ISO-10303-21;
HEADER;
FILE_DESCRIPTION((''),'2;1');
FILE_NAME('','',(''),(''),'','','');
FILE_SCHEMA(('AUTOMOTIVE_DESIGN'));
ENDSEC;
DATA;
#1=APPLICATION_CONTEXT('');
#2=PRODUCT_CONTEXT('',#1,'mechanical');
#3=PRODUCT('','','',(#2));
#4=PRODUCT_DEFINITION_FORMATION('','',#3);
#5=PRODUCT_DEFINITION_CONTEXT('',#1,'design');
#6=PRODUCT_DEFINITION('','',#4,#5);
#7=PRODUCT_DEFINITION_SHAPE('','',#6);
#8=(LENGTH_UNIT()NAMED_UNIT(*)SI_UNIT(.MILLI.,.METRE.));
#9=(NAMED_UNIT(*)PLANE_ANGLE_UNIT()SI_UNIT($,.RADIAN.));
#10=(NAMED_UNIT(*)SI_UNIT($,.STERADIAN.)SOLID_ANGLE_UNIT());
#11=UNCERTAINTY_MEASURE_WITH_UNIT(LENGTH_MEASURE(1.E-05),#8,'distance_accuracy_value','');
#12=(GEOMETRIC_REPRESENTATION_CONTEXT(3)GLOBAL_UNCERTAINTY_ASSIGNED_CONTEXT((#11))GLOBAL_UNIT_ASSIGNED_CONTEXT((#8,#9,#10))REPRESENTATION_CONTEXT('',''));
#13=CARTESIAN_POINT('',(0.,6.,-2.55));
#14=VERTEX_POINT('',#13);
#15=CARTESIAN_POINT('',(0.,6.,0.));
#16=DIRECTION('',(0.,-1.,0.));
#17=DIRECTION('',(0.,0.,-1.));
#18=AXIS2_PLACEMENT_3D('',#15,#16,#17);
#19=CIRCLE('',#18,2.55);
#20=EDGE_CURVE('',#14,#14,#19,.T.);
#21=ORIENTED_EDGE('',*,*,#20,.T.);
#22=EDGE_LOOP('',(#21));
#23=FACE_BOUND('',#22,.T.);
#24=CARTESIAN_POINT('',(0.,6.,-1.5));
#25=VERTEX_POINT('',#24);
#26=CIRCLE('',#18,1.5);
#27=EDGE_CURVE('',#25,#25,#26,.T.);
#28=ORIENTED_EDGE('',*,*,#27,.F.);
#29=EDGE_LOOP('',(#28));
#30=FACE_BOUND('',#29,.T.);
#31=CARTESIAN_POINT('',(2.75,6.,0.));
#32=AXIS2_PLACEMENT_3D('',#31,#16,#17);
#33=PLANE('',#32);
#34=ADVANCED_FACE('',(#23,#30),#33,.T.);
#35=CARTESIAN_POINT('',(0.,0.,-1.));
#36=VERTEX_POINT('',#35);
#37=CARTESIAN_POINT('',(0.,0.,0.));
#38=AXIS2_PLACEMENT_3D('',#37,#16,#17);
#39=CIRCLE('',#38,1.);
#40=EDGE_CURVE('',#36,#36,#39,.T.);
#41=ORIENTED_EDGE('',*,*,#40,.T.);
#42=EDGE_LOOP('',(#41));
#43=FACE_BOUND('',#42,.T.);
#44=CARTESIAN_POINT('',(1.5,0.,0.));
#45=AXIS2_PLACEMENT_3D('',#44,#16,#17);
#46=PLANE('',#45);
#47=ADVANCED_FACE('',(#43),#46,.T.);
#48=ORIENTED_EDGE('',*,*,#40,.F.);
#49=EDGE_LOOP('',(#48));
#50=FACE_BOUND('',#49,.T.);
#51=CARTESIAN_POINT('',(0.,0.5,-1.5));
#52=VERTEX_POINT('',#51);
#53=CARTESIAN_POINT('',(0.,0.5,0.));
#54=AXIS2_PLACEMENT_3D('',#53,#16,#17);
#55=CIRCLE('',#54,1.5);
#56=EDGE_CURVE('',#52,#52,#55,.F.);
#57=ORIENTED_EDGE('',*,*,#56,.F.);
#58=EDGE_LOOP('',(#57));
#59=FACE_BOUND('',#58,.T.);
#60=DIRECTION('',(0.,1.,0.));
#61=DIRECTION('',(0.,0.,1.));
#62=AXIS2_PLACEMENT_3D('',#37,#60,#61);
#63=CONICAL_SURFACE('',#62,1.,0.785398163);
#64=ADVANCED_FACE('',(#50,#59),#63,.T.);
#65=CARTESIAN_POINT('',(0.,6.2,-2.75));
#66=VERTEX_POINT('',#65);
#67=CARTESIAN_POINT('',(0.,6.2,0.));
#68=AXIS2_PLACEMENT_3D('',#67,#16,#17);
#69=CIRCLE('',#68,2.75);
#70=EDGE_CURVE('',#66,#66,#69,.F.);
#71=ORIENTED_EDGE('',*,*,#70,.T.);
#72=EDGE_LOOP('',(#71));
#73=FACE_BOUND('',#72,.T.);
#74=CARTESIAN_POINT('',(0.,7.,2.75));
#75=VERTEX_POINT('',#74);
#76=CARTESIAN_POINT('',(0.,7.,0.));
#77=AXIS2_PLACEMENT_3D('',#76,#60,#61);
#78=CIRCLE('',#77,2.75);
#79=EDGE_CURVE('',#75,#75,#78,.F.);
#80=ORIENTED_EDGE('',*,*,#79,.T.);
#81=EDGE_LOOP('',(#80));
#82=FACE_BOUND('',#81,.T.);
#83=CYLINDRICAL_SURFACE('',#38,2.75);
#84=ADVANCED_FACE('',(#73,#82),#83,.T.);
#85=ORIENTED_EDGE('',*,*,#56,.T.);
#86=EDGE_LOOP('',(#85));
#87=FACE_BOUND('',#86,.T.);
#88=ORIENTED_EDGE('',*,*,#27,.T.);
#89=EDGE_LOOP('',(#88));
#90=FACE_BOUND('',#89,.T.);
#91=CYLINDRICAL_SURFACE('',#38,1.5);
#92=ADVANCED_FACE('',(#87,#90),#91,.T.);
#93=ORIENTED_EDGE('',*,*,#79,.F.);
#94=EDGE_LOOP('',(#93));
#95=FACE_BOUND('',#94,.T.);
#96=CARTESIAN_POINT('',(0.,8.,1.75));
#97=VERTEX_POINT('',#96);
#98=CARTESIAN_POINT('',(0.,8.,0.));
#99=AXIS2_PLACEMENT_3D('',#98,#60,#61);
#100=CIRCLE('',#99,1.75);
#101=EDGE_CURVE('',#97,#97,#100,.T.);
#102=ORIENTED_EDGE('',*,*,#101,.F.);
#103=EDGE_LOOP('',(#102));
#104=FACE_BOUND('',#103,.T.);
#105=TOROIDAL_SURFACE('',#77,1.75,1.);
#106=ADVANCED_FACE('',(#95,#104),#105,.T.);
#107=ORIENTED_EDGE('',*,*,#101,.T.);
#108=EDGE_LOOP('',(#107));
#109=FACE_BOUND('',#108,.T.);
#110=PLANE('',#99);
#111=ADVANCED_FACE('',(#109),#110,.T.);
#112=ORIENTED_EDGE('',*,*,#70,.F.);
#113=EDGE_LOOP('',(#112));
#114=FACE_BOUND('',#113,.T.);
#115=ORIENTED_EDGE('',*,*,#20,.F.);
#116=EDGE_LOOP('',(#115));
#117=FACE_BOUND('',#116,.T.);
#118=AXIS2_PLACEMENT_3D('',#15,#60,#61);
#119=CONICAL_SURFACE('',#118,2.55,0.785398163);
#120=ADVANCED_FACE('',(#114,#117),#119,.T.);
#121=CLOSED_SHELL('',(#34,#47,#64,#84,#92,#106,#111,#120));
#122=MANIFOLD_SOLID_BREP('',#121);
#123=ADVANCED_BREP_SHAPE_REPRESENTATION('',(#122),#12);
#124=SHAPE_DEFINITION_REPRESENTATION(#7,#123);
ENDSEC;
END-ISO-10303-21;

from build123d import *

# Parameters (mm, degrees)
FILLET1_R     = 1
CHAMFER1_SIZE = 0.5
CHAMFER2_SIZE = 0.2


with BuildPart() as part:
    # Sketch1 → Revolve1 (revolve)
    with BuildSketch(Plane.XY, mode=Mode.PRIVATE) as revolve1_sk:
        Polygon((0, 0), (0, 8), (2.75, 8), (2.75, 6), (1.5, 6), (1.5, 0), align=None)
    revolve(revolve1_sk.sketch.rotate(Axis((0, 0, 0), (0, 1, 0)), 90), axis=Axis((0, 0, 0), (0, 1, 0)))

    # Fillet1
    fillet1_edges = [part.edges().sort_by_distance(p)[0] for p in [
        (0, 8, 2.75),
    ]]
    fillet(fillet1_edges, radius=FILLET1_R)

    # Chamfer1
    chamfer1_edges = [part.edges().sort_by_distance(p)[0] for p in [
        (0, 0, 1.5),
    ]]
    chamfer(chamfer1_edges, length=CHAMFER1_SIZE)

    # Chamfer2
    chamfer2_edges = [part.edges().sort_by_distance(p)[0] for p in [
        (0, 6, 2.75),
    ]]
    chamfer(chamfer2_edges, length=CHAMFER2_SIZE)


solid = part.part
